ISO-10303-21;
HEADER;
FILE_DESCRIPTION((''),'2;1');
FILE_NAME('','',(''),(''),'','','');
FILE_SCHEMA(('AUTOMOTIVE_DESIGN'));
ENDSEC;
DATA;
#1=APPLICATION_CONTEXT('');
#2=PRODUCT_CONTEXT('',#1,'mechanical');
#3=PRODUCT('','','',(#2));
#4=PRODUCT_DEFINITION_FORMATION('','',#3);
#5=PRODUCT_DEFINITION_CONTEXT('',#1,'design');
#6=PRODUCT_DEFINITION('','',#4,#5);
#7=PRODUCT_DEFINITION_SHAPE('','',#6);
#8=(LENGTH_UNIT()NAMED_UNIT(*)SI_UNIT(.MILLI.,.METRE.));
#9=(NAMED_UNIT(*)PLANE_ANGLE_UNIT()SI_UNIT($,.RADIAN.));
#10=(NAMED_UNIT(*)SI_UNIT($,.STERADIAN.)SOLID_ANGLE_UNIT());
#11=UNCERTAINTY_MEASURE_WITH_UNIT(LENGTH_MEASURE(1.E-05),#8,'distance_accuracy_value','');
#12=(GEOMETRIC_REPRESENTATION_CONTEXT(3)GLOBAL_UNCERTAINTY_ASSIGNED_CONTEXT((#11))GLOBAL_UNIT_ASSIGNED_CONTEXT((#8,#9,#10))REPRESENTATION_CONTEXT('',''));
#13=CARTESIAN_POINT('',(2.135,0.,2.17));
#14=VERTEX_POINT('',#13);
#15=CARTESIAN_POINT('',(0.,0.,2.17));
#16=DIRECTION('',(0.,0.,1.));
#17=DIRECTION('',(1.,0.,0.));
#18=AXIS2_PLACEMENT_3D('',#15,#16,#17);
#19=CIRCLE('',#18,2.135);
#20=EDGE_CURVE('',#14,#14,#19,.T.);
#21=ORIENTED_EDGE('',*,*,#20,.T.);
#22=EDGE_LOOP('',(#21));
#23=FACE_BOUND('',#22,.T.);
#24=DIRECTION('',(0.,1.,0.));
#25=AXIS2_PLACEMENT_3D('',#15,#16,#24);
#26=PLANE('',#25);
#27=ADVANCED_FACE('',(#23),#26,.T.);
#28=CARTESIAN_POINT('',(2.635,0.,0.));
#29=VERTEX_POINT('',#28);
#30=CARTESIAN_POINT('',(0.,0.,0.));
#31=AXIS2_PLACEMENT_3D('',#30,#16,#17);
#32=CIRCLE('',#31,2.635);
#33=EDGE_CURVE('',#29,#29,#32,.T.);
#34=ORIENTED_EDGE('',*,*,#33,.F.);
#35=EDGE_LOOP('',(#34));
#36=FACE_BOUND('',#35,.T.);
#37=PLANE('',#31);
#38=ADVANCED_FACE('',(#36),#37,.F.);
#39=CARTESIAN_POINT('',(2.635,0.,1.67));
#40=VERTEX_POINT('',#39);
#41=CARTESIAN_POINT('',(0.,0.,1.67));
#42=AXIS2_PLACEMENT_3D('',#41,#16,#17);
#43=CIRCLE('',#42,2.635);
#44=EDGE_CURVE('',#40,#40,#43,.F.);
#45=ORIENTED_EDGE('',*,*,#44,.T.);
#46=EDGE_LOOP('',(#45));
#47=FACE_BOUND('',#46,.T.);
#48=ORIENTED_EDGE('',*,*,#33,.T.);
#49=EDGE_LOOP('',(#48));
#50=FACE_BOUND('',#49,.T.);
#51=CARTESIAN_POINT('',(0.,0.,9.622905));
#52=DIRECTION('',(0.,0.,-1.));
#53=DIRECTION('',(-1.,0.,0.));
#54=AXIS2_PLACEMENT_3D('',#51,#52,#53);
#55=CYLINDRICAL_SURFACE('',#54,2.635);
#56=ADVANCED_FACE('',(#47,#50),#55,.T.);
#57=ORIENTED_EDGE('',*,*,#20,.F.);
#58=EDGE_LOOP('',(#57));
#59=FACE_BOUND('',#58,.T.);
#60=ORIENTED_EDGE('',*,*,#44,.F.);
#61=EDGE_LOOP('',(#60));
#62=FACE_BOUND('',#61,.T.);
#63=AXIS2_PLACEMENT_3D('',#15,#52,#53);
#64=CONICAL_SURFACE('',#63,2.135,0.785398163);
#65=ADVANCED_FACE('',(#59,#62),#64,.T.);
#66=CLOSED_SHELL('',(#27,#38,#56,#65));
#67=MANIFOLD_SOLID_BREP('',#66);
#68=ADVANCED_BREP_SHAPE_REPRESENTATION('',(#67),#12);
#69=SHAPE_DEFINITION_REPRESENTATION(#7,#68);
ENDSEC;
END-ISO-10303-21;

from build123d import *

# Parameters (mm, degrees)
ESQUISSE1_R        = 2.635
BOSS_EXTRU_1_DEPTH = 2.17
CHANFREIN1_SIZE    = 0.5


with BuildPart() as part:
    # Esquisse1 → Boss.-Extru.1 (new body)
    with BuildSketch(Plane.XY):
        Circle(ESQUISSE1_R)
    extrude(amount=BOSS_EXTRU_1_DEPTH)

    # Chanfrein1
    chanfrein1_edges = [part.edges().sort_by_distance(p)[0] for p in [
        (-2.635, 0, 2.17),
    ]]
    chamfer(chanfrein1_edges, length=CHANFREIN1_SIZE)


solid = part.part
